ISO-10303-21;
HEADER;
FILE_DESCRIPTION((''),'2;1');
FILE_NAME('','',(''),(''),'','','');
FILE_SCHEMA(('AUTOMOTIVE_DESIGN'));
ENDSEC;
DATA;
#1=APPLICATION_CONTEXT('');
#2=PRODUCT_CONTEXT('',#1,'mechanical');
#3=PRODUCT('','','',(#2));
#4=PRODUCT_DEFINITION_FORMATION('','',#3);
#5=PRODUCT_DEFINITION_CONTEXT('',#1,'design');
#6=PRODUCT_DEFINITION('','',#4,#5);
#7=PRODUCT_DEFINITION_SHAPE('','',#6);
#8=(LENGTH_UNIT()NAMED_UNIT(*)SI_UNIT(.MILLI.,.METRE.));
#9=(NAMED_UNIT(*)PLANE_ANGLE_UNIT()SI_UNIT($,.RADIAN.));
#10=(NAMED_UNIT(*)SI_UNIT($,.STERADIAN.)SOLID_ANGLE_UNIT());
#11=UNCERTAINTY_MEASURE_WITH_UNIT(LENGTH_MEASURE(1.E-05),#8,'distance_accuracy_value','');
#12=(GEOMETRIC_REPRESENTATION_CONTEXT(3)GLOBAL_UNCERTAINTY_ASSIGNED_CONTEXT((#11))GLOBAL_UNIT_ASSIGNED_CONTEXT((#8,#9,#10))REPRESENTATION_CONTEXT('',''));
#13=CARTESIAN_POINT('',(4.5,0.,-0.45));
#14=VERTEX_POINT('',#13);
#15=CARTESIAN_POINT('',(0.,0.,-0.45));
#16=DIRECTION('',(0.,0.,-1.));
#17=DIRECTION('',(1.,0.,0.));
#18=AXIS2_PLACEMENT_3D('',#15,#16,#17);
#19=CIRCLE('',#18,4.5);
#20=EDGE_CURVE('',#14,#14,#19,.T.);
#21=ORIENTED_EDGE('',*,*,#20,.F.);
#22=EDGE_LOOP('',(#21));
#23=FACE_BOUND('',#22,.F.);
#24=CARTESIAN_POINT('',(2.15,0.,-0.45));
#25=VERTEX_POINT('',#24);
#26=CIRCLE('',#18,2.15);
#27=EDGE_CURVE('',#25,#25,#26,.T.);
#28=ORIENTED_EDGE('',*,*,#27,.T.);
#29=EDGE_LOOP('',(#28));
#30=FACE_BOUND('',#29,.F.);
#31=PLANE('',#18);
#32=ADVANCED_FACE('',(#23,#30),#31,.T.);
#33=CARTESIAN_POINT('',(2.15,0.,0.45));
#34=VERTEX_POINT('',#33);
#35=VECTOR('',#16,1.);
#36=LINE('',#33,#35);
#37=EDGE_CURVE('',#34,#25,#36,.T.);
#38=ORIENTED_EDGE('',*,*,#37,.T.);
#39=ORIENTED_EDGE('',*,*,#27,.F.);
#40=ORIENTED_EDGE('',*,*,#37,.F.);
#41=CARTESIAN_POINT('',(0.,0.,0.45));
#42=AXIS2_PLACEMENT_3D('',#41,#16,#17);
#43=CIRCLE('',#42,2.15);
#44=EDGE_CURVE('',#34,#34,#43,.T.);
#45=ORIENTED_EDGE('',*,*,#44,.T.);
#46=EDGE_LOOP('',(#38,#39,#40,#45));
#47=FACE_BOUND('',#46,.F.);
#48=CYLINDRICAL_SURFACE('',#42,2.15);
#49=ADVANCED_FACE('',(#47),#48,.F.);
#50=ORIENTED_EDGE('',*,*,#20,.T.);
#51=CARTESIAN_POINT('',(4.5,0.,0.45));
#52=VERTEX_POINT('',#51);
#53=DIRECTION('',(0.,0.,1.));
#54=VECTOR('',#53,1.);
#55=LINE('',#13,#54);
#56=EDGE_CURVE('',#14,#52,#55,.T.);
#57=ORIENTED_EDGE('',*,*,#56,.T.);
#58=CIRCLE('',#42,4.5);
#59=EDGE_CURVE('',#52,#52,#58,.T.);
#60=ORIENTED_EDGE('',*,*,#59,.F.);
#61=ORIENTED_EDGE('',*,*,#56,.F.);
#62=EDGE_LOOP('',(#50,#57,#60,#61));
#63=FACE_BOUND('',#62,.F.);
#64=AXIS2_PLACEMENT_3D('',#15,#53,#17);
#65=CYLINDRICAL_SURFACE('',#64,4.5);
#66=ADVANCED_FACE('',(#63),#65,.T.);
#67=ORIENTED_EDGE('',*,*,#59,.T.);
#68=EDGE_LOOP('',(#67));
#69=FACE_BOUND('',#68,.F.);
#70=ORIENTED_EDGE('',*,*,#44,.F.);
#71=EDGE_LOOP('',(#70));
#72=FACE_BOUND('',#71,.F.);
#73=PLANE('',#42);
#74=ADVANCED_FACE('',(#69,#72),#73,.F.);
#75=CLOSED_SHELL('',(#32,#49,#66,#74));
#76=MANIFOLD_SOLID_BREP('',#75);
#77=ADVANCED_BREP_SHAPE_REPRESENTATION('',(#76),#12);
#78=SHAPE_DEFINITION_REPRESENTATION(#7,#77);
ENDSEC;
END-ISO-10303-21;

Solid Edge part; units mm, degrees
sketch "Sketch1" plane through (0, 0, 0) normal (0, -1, 0) x (1, 0, 0)
  line L0 (2.15, -0.45) -> (4.5, -0.45)
  line L1 (4.5, -0.45) -> (4.5, 0.45)
  line L2 (4.5, 0.45) -> (2.15, 0.45)
  line L3 (2.15, 0.45) -> (2.15, -0.45)
  dimension "D1" = 0.9
revolve "RevolvedProtrusion1" add sketch "Sketch1" angle 360 about axis through (0, 0, 54) along (0, 0, -1)
properties material "Galvanized steel"
